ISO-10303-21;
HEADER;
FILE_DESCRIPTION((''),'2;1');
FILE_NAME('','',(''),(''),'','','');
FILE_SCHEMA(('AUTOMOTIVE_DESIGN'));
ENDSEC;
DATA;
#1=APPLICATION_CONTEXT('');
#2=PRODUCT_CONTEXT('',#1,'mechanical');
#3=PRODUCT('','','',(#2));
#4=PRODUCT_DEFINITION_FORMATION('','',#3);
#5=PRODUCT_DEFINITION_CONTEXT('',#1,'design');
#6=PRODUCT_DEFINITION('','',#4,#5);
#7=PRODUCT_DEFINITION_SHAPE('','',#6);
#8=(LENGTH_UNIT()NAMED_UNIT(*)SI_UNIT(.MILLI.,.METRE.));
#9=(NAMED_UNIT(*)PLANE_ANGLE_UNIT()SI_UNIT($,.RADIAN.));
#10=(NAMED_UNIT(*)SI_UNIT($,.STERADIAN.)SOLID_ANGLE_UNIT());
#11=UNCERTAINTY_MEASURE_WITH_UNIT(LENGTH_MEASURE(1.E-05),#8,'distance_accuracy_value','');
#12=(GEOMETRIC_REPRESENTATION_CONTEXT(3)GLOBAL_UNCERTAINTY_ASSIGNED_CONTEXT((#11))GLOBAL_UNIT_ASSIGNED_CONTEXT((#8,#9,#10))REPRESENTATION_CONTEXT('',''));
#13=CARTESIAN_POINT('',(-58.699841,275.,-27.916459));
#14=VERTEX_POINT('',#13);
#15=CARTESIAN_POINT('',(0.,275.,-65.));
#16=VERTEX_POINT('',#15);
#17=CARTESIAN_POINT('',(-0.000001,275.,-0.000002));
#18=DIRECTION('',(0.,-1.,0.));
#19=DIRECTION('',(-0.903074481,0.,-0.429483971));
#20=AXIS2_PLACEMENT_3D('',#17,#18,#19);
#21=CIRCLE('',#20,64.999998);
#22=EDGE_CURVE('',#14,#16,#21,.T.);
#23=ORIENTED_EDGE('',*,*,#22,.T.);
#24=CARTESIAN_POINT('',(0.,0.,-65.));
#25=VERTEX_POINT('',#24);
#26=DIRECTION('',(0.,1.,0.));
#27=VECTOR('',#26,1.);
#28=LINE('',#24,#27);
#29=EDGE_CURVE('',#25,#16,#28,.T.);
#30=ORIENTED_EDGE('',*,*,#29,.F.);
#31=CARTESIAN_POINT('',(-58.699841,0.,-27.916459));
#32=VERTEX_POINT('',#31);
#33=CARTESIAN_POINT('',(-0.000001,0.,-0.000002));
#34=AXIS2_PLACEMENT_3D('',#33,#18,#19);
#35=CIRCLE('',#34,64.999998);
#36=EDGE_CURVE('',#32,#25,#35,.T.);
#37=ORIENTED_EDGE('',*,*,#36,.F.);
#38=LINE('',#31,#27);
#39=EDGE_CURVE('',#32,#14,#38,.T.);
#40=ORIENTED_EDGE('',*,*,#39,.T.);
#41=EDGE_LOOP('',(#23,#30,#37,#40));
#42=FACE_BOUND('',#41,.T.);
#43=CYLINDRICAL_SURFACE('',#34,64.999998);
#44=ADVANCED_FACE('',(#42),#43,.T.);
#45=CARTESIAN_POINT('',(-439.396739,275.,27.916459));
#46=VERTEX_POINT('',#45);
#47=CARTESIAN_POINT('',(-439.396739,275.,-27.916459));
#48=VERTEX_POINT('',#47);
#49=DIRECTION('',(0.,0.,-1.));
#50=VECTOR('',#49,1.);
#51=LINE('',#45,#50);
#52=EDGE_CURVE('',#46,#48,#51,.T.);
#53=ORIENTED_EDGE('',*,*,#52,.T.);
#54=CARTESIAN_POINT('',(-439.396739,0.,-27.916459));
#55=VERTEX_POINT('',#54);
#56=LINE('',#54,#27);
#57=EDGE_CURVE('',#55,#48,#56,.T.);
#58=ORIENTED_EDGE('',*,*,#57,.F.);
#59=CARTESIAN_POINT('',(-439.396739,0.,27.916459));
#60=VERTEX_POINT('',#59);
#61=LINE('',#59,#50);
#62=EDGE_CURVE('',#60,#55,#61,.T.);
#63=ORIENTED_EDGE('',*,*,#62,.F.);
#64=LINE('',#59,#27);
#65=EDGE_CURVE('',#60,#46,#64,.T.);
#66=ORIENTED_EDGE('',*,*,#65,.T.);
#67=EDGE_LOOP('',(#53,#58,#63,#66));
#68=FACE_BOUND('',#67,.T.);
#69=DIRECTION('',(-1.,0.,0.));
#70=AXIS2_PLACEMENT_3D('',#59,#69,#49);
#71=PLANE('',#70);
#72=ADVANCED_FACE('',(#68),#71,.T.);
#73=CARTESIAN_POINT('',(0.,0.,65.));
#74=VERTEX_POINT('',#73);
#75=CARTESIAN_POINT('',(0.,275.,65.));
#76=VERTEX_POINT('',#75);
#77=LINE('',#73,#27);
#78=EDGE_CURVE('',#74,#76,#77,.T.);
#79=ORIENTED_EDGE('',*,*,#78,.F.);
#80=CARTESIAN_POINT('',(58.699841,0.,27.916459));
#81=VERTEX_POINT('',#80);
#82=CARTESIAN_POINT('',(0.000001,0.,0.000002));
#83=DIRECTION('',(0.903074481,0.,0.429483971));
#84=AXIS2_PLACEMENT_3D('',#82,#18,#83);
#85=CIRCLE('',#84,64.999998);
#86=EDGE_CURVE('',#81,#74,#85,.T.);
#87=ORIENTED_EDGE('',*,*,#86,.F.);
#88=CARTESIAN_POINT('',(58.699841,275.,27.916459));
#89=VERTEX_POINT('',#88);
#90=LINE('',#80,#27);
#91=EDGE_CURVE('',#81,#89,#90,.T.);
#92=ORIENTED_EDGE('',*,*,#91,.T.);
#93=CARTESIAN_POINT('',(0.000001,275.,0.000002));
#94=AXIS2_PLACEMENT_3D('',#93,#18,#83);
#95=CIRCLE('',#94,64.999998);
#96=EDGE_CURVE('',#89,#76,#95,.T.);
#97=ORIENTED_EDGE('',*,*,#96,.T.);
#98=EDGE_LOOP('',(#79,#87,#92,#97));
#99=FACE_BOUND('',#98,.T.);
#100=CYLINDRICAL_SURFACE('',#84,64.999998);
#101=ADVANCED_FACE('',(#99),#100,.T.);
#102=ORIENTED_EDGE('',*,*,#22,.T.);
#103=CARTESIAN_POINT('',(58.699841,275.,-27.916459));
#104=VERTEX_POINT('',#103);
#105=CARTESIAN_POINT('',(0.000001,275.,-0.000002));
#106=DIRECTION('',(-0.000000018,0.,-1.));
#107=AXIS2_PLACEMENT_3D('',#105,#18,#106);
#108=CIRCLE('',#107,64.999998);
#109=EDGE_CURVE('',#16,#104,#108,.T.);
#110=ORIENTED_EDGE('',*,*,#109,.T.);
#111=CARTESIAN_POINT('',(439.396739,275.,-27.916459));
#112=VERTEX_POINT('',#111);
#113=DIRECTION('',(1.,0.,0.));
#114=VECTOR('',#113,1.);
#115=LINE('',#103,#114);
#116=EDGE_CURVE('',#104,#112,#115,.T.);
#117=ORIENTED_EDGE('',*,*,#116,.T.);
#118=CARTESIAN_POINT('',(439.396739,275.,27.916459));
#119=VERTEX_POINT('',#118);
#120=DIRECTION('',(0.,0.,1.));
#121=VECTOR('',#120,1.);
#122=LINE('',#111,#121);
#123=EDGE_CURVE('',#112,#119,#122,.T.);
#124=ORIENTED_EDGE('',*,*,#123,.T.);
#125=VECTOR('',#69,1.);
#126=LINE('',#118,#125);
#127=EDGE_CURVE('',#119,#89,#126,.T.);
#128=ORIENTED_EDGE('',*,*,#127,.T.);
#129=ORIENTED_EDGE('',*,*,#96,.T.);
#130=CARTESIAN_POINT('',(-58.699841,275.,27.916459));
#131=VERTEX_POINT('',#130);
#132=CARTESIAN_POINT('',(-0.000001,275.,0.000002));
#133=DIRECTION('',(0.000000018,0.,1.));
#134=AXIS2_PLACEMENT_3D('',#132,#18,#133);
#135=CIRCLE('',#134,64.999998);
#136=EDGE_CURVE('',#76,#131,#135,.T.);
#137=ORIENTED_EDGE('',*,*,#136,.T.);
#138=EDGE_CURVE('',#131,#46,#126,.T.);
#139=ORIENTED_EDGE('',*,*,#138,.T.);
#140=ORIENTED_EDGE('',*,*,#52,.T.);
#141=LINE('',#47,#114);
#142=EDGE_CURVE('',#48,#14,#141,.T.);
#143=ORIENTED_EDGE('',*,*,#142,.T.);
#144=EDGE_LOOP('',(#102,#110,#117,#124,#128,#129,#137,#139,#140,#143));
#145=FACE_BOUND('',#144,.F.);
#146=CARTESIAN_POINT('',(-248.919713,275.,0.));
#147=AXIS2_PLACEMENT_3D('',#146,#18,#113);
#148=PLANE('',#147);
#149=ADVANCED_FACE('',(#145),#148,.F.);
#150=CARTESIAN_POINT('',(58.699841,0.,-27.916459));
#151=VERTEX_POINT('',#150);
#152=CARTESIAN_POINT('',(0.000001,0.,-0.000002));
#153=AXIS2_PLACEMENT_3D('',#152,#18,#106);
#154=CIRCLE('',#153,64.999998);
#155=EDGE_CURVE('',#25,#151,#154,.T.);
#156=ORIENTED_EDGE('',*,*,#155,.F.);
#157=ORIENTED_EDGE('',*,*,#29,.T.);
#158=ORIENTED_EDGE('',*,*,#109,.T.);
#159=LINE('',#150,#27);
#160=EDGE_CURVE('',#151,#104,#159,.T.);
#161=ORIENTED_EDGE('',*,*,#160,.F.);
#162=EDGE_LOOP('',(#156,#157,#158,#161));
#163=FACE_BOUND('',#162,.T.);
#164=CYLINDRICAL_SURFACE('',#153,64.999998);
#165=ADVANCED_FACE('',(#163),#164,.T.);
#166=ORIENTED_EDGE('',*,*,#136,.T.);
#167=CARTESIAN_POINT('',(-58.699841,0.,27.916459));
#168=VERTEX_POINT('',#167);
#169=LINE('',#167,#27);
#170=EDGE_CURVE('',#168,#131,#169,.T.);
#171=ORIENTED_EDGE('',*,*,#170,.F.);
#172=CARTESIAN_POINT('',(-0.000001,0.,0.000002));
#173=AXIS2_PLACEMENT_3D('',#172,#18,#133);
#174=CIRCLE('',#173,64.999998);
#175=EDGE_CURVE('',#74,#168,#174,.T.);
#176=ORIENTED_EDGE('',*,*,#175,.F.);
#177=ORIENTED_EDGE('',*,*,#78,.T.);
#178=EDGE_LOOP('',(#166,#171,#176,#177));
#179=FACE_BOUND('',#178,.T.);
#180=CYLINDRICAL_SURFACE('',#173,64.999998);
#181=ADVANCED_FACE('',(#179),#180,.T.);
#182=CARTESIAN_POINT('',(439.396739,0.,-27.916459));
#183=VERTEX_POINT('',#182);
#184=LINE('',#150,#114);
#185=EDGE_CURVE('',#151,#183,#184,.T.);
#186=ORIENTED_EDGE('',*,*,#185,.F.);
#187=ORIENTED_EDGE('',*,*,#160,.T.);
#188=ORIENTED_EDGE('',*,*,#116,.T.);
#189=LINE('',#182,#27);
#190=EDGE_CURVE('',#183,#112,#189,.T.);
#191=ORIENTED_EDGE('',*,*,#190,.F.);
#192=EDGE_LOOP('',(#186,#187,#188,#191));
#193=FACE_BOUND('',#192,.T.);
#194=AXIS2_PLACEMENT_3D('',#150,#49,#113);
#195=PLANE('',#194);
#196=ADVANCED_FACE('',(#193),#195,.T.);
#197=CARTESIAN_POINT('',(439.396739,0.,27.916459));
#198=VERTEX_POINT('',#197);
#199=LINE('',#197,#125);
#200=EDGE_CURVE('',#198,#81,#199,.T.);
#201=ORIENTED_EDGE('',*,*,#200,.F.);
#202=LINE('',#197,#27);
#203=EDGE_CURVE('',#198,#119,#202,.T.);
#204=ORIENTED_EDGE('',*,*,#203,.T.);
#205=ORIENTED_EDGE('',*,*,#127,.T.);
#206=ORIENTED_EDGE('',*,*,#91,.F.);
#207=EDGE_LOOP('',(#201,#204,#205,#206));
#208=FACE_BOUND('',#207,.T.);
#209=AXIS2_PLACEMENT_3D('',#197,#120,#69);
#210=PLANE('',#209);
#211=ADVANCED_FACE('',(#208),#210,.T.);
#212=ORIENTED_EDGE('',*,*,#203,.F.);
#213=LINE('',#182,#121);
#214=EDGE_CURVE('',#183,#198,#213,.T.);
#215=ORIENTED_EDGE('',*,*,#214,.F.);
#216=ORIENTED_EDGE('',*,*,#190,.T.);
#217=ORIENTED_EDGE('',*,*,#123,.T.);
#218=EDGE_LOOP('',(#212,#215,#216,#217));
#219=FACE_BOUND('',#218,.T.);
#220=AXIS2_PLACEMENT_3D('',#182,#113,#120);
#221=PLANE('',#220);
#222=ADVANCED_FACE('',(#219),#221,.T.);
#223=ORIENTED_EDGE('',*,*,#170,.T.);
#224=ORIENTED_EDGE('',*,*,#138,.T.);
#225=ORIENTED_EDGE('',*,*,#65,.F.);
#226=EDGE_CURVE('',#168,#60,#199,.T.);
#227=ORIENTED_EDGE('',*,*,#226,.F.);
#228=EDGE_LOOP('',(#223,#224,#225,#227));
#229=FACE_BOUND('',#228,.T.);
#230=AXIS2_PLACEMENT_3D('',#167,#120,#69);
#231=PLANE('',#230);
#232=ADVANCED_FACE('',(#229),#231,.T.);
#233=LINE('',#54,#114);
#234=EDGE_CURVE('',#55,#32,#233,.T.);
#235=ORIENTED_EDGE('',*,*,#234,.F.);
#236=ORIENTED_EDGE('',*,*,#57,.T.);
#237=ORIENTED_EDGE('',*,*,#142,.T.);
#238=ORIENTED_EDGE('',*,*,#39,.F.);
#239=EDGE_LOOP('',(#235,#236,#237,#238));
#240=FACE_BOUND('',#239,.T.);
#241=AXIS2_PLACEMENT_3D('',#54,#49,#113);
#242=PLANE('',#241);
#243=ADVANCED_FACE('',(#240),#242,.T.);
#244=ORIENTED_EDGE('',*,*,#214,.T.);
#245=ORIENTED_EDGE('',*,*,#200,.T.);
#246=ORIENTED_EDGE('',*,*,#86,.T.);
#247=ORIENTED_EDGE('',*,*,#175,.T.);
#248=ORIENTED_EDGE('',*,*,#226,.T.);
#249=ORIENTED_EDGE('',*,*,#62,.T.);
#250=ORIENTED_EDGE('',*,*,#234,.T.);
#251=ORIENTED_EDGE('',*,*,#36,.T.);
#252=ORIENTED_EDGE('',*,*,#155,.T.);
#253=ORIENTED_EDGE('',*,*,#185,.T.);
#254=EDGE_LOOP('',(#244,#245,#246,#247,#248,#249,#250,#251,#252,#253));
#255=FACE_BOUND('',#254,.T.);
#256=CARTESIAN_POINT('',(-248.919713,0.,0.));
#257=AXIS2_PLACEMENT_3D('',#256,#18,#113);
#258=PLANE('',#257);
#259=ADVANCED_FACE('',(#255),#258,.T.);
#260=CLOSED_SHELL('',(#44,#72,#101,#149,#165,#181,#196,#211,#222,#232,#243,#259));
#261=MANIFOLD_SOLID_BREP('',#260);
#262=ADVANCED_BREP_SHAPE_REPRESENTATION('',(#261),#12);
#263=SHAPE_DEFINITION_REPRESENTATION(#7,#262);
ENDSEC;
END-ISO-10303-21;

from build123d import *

# Parameters (mm, degrees)
F1_DEPTH = 275


with BuildPart() as f1:
    # F0 (on Front) → F1 (new body)
    with BuildSketch(Plane.XZ):
        with BuildLine():
            ThreePointArc((-58.699841, -27.916459), (-63.405401, -14.309269), (-65, 0))
            ThreePointArc((-65, 0), (-63.405401, 14.309269), (-58.699841, 27.916459))
            Line((-58.699841, 27.916459), (-439.396739, 27.916459))
            Line((-439.396739, 27.916459), (-439.396739, -27.916459))
            Line((-439.396739, -27.916459), (-58.699841, -27.916459))
        make_face()
        with BuildLine():
            ThreePointArc((58.699841, 27.916459), (63.405401, 14.309269), (65, 0))
            ThreePointArc((65, 0), (63.405401, -14.309269), (58.699841, -27.916459))
            Line((58.699841, -27.916459), (439.396739, -27.916459))
            Line((439.396739, -27.916459), (439.396739, 27.916459))
            Line((439.396739, 27.916459), (58.699841, 27.916459))
        make_face()
        with BuildLine():
            Line((-65, 0), (0, 0))
            Line((0, 0), (0, 27.916459))
            Line((0, 27.916459), (-58.699841, 27.916459))
            ThreePointArc((-58.699841, 27.916459), (-63.405401, 14.309269), (-65, 0))
        make_face()
        with BuildLine():
            Line((0, 0), (65, 0))
            ThreePointArc((65, 0), (63.405401, 14.309269), (58.699841, 27.916459))
            Line((58.699841, 27.916459), (0, 27.916459))
            Line((0, 27.916459), (0, 0))
        make_face()
        with BuildLine():
            Line((0, 27.916459), (58.699841, 27.916459))
            ThreePointArc((58.699841, 27.916459), (34.716208, 54.95257), (0, 65))
            Line((0, 65), (0, 27.916459))
        make_face()
        with BuildLine():
            ThreePointArc((0, -65), (34.716208, -54.95257), (58.699841, -27.916459))
            Line((58.699841, -27.916459), (0, -27.916459))
            Line((0, -27.916459), (0, -65))
        make_face()
        with BuildLine():
            Line((0, -27.916459), (0, 0))
            Line((0, 0), (-65, 0))
            ThreePointArc((-65, 0), (-63.405401, -14.309269), (-58.699841, -27.916459))
            Line((-58.699841, -27.916459), (0, -27.916459))
        make_face()
        with BuildLine():
            ThreePointArc((58.699841, -27.916459), (63.405401, -14.309269), (65, 0))
            Line((65, 0), (0, 0))
            Line((0, 0), (0, -27.916459))
            Line((0, -27.916459), (58.699841, -27.916459))
        make_face()
        with BuildLine():
            ThreePointArc((-58.699841, -27.916459), (-34.716208, -54.95257), (0, -65))
            Line((0, -65), (0, -27.916459))
            Line((0, -27.916459), (-58.699841, -27.916459))
        make_face()
        with BuildLine():
            Line((0, 27.916459), (0, 65))
            ThreePointArc((0, 65), (-34.716208, 54.95257), (-58.699841, 27.916459))
            Line((-58.699841, 27.916459), (0, 27.916459))
        make_face()
    extrude(amount=-F1_DEPTH)


solid = f1.part
